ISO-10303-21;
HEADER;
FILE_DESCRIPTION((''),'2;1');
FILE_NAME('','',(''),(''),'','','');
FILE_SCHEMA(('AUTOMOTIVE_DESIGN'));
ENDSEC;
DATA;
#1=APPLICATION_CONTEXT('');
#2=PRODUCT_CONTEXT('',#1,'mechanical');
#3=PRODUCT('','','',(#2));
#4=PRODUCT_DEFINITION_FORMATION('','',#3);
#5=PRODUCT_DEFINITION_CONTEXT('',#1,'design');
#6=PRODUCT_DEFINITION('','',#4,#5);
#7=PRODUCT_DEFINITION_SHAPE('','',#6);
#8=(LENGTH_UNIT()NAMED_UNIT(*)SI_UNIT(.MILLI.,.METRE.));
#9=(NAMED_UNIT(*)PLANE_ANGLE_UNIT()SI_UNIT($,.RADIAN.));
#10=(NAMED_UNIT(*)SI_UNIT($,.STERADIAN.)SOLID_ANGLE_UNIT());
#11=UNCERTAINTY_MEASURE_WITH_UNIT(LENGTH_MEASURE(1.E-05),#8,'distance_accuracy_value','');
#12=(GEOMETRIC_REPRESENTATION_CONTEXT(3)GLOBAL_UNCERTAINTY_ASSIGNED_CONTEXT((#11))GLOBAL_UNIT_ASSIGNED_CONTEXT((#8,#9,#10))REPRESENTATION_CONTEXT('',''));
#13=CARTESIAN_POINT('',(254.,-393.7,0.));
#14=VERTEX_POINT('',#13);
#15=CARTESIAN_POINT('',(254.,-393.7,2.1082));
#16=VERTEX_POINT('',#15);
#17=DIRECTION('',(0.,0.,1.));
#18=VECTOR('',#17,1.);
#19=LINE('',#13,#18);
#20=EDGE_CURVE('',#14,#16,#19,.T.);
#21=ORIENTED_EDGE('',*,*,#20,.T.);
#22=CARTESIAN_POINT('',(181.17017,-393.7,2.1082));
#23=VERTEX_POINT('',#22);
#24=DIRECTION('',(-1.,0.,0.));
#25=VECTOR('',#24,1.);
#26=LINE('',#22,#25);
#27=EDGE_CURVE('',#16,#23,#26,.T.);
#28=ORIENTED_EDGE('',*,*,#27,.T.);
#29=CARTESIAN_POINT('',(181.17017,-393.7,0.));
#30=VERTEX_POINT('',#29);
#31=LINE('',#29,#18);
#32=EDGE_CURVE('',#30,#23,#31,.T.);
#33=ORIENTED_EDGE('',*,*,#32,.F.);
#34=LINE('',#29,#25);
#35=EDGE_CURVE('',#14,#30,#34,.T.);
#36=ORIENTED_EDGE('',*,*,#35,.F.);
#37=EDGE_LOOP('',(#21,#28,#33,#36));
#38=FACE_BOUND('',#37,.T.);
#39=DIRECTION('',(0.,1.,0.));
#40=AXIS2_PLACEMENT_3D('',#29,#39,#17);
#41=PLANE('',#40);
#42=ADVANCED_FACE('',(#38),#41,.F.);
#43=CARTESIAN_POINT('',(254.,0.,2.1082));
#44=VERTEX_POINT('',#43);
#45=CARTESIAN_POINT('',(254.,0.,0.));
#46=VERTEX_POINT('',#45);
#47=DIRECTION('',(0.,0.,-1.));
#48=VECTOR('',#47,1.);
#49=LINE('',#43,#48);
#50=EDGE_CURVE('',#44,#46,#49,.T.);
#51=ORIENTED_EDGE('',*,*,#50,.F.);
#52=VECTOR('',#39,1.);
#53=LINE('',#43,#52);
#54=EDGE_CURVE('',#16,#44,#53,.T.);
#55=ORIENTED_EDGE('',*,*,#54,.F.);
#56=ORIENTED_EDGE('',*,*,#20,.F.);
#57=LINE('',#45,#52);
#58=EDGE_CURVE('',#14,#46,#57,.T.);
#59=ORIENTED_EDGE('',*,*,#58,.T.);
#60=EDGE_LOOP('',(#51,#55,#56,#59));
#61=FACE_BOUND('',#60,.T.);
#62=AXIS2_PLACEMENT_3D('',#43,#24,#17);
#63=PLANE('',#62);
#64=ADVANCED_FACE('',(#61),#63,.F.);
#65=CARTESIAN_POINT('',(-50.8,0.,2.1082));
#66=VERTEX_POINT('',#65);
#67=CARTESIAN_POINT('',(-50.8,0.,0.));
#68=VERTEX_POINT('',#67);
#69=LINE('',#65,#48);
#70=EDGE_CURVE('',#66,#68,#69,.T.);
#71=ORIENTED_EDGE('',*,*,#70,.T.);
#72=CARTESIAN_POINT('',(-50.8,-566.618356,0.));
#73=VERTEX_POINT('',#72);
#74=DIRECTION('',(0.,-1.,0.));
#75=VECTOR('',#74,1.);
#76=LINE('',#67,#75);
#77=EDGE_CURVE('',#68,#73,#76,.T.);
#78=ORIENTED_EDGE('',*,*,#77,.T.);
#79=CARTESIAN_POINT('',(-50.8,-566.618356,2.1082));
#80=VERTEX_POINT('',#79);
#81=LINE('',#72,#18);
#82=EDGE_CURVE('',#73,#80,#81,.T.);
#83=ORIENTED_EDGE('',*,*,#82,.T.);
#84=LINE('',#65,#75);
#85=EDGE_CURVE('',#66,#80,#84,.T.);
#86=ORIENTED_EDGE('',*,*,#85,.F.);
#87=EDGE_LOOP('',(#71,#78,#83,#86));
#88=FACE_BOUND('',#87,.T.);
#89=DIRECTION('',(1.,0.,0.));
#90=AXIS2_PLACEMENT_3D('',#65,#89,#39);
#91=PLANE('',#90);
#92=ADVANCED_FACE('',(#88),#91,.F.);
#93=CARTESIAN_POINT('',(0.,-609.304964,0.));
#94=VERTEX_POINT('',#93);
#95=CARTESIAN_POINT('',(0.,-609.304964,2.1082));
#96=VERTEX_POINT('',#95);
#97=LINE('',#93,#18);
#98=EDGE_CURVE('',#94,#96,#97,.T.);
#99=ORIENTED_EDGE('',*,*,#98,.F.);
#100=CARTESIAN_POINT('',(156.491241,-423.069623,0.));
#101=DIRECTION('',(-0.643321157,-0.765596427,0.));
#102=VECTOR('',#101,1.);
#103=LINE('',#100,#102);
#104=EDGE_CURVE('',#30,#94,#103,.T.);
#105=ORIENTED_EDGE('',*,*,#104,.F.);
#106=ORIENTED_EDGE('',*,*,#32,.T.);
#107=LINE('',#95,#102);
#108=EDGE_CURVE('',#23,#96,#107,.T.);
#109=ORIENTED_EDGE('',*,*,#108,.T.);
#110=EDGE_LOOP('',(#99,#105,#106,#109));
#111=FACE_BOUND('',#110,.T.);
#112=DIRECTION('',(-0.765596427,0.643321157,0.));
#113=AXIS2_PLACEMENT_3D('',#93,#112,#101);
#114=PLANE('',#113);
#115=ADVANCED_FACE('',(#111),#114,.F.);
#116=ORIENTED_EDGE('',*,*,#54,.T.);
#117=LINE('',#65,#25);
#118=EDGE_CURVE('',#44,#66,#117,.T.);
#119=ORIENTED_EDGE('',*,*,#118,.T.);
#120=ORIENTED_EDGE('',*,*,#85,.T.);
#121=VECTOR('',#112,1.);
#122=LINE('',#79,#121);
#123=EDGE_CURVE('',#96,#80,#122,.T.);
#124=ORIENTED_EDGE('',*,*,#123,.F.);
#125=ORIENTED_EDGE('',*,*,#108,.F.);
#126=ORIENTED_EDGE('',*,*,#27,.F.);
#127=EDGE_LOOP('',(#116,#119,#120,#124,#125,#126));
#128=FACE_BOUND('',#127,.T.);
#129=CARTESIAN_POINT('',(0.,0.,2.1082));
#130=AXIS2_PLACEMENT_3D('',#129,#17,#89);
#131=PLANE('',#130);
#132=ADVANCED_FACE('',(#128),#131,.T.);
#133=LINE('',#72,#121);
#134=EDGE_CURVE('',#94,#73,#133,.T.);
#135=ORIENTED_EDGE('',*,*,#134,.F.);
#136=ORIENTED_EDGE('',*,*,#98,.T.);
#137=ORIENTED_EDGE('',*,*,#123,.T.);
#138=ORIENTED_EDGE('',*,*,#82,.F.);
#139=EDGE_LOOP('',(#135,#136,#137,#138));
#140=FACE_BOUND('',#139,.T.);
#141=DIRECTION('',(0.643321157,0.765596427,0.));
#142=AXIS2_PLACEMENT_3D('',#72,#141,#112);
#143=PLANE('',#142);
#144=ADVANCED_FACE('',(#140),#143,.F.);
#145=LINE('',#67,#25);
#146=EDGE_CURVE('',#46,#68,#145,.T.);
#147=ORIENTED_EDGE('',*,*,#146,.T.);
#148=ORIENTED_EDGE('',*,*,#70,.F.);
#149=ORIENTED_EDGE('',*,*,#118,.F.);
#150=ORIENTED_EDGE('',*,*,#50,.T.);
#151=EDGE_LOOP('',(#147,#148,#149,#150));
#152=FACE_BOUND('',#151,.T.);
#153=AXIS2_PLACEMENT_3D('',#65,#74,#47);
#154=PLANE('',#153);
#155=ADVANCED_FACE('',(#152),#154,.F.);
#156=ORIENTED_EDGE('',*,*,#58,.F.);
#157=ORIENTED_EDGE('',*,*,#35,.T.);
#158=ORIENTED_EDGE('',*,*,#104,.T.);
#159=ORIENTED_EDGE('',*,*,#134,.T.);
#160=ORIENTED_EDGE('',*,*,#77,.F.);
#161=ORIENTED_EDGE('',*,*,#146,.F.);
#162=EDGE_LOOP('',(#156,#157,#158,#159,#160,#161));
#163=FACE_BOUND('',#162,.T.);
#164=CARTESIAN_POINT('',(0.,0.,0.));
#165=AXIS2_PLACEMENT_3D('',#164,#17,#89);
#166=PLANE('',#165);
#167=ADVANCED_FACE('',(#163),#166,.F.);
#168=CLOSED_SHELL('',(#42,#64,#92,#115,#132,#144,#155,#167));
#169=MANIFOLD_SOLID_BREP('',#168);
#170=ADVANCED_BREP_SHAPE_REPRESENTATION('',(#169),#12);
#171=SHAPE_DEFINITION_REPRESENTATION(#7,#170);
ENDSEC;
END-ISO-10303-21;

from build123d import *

# Parameters (mm, degrees)
SKETCH1_W           = 304.8
SKETCH1_H           = 609.6
BOSS_EXTRUDE1_DEPTH = 2.1082
CUT_EXTRUDE1_DEPTH  = 2.1082


with BuildPart() as part:
    # Sketch1 → Boss-Extrude1 (new body)
    with BuildSketch(Plane.XY):
        with Locations((101.6, -304.8)):
            Rectangle(SKETCH1_W, SKETCH1_H)
    extrude(amount=BOSS_EXTRUDE1_DEPTH)

    # Sketch2 → Cut-Extrude1 (cut)
    with BuildSketch(Plane.XY.offset(2.1082)):
        Polygon((-50.8, -609.6), (-50.8, -566.618355908), (0, -609.30496414), (156.491241029, -423.069623049), (181.170170025, -393.7), (254, -393.7), (254, -609.6), align=None)
    extrude(amount=-CUT_EXTRUDE1_DEPTH, mode=Mode.SUBTRACT)


solid = part.part
